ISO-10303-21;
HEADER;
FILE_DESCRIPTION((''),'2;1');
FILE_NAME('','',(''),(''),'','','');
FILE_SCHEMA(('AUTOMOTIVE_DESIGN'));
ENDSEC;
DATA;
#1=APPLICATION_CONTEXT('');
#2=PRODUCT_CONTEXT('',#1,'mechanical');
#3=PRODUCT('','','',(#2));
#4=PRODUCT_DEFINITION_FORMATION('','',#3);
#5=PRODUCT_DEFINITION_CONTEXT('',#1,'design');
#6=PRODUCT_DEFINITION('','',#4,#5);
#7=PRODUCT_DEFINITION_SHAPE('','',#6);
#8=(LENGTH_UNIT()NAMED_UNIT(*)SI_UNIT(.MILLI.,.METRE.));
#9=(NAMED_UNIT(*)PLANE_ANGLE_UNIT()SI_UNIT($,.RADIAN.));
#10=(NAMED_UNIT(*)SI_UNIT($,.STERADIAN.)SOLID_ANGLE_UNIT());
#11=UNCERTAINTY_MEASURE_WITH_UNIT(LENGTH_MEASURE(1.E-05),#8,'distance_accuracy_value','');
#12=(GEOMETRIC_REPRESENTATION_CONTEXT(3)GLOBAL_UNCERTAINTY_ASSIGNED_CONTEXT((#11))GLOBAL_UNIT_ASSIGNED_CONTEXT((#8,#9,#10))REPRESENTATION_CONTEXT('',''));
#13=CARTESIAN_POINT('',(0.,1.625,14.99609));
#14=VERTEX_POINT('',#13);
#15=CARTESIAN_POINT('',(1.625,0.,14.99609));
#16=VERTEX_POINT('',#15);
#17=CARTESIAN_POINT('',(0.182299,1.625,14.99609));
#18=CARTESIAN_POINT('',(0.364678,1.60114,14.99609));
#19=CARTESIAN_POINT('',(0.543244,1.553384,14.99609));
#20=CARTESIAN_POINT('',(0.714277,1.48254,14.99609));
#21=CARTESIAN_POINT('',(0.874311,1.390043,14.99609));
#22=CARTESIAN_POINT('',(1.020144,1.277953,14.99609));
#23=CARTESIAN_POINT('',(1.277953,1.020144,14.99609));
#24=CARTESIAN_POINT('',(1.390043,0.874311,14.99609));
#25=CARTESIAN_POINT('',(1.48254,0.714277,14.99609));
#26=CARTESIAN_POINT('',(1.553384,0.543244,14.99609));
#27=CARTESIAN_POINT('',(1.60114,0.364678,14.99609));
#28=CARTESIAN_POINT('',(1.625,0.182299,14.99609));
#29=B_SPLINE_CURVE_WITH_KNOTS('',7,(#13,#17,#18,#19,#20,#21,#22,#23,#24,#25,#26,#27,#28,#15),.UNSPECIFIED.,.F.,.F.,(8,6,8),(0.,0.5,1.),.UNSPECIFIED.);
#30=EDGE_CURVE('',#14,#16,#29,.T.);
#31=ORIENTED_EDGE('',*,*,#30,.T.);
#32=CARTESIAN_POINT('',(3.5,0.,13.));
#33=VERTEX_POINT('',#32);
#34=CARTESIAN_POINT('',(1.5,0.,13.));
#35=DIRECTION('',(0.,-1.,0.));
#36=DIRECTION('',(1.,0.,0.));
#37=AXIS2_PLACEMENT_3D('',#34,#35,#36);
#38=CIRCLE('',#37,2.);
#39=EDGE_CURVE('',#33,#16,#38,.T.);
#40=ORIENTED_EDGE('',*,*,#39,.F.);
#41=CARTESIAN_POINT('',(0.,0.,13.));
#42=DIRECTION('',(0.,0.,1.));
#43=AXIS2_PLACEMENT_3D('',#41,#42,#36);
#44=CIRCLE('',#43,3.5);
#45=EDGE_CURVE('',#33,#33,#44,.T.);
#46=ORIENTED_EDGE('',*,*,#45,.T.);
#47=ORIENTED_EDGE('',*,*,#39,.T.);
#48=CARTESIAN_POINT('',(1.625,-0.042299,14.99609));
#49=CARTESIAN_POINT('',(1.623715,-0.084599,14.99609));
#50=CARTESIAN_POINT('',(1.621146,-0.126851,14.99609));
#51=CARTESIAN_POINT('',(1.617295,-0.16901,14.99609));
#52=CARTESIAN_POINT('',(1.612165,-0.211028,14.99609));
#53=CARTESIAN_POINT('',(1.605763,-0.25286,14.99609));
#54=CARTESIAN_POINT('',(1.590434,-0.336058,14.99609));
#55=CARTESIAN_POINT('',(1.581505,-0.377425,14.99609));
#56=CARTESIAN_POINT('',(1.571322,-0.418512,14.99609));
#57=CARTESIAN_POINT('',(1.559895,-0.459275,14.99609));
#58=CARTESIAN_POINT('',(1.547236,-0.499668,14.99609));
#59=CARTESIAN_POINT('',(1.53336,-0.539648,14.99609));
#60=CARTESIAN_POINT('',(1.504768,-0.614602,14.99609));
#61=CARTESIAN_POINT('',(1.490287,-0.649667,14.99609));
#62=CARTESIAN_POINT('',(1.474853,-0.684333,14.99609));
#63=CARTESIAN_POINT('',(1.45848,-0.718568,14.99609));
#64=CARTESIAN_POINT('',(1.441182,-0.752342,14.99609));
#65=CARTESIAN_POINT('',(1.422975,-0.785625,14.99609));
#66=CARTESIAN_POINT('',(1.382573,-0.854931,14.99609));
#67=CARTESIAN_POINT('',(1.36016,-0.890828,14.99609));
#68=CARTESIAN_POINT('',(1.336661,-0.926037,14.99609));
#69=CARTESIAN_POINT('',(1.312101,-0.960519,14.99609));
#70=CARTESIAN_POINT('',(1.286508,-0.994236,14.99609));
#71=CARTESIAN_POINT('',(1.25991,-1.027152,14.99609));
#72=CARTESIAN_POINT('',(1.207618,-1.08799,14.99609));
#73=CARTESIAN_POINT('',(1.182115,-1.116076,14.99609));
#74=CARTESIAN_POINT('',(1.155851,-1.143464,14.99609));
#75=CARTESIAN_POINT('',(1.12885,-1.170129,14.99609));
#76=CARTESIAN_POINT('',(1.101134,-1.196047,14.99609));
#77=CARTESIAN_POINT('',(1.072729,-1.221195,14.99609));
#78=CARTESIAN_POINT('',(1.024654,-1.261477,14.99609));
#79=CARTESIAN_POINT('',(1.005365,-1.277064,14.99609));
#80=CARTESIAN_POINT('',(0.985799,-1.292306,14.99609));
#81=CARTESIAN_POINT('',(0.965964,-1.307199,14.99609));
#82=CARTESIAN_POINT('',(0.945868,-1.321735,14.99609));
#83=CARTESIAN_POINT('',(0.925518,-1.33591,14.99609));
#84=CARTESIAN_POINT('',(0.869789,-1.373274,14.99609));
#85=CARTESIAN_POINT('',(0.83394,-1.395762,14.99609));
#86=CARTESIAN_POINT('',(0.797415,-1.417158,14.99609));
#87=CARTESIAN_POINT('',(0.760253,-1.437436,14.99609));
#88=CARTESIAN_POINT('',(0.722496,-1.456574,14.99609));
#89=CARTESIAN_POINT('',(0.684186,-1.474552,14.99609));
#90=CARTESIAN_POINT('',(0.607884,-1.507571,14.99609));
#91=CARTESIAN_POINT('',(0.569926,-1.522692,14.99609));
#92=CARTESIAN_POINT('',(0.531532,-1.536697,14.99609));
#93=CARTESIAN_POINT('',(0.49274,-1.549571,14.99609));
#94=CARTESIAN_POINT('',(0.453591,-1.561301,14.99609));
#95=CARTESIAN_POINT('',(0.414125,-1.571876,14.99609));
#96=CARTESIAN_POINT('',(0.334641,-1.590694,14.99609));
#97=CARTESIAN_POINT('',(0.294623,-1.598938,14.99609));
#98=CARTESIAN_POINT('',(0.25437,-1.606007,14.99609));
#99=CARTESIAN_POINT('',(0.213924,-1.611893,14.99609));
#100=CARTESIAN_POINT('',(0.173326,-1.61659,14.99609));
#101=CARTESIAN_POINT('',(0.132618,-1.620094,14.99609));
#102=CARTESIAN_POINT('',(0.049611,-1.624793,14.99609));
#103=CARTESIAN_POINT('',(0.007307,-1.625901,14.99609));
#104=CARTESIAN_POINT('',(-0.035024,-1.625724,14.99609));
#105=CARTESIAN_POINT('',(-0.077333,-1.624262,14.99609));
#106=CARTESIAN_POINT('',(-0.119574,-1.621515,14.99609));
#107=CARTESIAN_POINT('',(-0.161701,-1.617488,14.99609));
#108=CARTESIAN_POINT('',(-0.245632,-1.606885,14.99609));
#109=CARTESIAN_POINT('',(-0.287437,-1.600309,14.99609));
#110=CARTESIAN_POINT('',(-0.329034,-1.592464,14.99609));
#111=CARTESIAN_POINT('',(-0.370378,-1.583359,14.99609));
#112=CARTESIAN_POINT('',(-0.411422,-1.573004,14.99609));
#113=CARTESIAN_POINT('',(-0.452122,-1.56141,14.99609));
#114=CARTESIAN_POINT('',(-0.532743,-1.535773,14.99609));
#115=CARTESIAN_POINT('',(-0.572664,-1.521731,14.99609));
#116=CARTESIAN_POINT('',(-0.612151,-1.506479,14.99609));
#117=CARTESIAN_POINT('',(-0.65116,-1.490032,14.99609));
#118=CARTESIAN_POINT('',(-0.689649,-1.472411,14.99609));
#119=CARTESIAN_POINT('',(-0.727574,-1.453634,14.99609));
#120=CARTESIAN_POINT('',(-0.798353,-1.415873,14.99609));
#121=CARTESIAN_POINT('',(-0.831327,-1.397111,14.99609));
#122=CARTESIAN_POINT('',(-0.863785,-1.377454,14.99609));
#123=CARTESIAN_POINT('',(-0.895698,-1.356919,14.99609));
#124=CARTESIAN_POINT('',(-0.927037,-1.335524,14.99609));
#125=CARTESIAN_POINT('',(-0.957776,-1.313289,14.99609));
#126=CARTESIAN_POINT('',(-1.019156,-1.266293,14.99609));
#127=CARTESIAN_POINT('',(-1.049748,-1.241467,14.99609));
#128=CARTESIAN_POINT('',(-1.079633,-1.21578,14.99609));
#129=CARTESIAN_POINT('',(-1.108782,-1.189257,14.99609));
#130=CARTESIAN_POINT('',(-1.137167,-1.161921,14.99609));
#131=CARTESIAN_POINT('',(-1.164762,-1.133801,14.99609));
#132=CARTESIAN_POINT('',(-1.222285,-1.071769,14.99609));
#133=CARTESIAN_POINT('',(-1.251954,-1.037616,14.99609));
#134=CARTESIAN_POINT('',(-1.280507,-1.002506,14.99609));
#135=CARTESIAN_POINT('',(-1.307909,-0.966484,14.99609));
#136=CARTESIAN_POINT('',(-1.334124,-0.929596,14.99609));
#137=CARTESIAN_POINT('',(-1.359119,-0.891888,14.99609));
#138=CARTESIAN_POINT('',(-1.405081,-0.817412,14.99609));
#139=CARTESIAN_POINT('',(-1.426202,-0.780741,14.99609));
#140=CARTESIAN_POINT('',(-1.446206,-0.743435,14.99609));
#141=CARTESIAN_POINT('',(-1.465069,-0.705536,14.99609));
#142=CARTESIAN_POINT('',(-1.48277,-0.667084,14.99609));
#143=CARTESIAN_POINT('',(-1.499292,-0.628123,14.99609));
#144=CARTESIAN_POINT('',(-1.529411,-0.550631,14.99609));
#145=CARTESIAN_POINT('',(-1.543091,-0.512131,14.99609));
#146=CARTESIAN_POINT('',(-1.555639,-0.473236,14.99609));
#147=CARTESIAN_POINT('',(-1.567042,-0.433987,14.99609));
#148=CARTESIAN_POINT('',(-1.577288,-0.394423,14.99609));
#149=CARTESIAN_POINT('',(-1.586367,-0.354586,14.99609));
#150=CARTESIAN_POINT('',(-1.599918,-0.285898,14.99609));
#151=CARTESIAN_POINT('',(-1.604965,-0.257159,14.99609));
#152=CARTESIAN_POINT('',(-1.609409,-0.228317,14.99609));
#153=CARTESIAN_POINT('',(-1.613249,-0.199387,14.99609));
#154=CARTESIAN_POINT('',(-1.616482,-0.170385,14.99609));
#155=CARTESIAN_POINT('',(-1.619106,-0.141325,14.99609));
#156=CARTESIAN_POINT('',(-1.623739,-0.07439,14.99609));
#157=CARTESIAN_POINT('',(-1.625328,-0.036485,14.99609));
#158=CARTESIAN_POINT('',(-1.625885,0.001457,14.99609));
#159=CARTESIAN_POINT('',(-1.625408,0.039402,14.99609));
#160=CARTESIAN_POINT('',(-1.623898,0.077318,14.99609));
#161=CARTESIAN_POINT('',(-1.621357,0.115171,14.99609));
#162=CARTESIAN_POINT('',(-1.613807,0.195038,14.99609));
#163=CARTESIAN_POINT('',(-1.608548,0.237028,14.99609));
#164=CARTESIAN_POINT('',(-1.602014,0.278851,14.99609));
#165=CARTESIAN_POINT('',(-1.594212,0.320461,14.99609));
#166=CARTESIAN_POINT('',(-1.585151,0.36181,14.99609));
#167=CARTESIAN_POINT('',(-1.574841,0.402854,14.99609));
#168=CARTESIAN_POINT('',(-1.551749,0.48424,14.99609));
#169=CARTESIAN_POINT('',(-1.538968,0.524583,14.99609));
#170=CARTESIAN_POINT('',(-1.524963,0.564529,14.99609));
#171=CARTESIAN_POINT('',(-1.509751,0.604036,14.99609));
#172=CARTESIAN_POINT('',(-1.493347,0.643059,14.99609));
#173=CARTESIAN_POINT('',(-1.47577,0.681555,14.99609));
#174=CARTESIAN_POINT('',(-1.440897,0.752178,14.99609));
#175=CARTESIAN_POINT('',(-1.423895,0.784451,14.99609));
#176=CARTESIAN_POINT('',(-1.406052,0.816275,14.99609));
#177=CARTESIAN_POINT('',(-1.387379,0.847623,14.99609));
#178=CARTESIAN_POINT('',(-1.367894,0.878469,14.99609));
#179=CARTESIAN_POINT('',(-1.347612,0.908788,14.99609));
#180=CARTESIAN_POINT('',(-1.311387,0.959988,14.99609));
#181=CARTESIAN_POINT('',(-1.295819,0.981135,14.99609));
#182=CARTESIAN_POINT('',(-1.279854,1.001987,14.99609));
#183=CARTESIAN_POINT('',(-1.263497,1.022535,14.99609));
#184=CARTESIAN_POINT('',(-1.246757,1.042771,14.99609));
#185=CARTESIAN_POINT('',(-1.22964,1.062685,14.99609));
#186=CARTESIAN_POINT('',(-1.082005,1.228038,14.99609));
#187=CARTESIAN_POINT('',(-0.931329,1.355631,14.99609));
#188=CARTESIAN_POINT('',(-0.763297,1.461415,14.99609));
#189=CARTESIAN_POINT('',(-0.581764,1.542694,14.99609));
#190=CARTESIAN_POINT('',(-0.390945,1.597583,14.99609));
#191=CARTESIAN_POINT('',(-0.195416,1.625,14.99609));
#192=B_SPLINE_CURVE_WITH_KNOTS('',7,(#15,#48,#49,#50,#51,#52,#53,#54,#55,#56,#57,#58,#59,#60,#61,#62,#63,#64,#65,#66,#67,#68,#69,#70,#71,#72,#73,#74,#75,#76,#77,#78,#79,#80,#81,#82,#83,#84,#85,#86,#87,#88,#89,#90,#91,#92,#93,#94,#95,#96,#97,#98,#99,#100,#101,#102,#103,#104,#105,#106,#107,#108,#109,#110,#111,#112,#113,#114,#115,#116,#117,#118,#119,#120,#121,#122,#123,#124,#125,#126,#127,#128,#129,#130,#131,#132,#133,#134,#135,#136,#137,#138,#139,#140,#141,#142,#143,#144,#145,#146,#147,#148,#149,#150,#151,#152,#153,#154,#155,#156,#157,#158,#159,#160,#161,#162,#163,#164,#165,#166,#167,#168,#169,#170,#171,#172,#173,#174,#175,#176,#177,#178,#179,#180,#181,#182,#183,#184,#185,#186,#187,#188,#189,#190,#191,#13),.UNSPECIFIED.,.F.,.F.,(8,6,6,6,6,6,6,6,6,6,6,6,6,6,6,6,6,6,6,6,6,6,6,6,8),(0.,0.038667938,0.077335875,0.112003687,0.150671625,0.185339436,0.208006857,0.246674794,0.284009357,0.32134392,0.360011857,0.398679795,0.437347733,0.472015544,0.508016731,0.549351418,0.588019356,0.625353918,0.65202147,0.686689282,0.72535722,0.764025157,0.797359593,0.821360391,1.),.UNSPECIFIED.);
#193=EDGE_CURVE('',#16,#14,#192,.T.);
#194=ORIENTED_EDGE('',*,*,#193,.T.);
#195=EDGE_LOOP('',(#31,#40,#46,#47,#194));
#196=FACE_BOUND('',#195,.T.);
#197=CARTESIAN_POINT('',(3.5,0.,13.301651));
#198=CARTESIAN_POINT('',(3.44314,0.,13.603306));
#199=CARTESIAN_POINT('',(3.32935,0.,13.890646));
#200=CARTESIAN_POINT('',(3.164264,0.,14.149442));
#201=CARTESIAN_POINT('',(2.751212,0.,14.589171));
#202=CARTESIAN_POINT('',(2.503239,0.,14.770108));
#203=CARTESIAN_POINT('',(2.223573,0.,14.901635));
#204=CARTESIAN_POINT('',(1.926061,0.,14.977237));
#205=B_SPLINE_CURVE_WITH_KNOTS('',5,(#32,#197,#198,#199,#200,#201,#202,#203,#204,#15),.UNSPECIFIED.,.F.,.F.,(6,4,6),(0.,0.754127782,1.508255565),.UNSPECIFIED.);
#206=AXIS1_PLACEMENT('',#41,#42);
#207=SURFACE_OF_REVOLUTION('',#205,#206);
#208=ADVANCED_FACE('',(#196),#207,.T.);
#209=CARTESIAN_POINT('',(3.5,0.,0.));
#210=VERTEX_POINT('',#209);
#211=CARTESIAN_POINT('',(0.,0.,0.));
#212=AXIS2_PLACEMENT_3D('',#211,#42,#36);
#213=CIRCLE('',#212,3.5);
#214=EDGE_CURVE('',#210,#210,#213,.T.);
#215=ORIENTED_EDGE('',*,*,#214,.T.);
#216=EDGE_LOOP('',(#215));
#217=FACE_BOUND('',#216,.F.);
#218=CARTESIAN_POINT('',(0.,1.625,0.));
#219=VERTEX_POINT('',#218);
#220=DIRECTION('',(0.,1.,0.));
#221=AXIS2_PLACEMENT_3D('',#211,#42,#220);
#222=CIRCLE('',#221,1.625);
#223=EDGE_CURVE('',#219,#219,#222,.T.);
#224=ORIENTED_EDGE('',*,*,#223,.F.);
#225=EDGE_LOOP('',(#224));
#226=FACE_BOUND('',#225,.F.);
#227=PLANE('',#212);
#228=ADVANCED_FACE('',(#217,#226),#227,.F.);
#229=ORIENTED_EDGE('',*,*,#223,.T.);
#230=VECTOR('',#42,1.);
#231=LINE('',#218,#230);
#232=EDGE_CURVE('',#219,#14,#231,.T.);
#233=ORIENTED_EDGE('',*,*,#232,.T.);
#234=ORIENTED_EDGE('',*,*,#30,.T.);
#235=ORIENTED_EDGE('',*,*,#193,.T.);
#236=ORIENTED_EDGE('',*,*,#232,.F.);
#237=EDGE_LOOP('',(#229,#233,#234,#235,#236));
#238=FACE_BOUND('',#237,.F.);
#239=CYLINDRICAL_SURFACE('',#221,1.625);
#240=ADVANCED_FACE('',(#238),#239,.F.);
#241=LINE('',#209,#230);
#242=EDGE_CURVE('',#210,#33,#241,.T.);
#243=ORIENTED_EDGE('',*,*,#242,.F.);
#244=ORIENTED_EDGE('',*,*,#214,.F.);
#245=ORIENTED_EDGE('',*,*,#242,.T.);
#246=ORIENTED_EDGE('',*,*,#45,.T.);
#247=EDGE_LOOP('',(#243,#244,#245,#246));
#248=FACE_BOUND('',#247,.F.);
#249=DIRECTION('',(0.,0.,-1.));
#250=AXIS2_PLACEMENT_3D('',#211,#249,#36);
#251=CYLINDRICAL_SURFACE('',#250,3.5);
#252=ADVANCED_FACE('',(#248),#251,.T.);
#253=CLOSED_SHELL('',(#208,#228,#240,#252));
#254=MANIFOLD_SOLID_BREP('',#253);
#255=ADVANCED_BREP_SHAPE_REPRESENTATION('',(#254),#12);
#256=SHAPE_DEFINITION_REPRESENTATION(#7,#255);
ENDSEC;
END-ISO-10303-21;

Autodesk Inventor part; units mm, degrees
ref_plane "YZ Plane" through (0, 0, 0) normal (1, 0, 0) x (0, 1, 0)
ref_plane "XZ Plane" through (0, 0, 0) normal (0, 1, 0) x (-1, 0, 0)
ref_plane "XY Plane" through (0, 0, 0) normal (0, 0, 1) x (1, 0, 0)
sketch "Sketch1" plane through (0, 0, 0) normal (0, 0, 1) x (1, 0, 0)
  circle A0 centre (0, 0) radius 3.5
  dimension "d0" = 7
extrude "Extrusion1" add sketch "Sketch1" along normal blind 15
fillet "Fillet1" radius 2 1 edges at (-3.5, 0, 15)
hole "Hole1" at (0, 0, 0) direction (0, 0, 1) diameter 3.25 end through all
properties part number "Landing Gear"
